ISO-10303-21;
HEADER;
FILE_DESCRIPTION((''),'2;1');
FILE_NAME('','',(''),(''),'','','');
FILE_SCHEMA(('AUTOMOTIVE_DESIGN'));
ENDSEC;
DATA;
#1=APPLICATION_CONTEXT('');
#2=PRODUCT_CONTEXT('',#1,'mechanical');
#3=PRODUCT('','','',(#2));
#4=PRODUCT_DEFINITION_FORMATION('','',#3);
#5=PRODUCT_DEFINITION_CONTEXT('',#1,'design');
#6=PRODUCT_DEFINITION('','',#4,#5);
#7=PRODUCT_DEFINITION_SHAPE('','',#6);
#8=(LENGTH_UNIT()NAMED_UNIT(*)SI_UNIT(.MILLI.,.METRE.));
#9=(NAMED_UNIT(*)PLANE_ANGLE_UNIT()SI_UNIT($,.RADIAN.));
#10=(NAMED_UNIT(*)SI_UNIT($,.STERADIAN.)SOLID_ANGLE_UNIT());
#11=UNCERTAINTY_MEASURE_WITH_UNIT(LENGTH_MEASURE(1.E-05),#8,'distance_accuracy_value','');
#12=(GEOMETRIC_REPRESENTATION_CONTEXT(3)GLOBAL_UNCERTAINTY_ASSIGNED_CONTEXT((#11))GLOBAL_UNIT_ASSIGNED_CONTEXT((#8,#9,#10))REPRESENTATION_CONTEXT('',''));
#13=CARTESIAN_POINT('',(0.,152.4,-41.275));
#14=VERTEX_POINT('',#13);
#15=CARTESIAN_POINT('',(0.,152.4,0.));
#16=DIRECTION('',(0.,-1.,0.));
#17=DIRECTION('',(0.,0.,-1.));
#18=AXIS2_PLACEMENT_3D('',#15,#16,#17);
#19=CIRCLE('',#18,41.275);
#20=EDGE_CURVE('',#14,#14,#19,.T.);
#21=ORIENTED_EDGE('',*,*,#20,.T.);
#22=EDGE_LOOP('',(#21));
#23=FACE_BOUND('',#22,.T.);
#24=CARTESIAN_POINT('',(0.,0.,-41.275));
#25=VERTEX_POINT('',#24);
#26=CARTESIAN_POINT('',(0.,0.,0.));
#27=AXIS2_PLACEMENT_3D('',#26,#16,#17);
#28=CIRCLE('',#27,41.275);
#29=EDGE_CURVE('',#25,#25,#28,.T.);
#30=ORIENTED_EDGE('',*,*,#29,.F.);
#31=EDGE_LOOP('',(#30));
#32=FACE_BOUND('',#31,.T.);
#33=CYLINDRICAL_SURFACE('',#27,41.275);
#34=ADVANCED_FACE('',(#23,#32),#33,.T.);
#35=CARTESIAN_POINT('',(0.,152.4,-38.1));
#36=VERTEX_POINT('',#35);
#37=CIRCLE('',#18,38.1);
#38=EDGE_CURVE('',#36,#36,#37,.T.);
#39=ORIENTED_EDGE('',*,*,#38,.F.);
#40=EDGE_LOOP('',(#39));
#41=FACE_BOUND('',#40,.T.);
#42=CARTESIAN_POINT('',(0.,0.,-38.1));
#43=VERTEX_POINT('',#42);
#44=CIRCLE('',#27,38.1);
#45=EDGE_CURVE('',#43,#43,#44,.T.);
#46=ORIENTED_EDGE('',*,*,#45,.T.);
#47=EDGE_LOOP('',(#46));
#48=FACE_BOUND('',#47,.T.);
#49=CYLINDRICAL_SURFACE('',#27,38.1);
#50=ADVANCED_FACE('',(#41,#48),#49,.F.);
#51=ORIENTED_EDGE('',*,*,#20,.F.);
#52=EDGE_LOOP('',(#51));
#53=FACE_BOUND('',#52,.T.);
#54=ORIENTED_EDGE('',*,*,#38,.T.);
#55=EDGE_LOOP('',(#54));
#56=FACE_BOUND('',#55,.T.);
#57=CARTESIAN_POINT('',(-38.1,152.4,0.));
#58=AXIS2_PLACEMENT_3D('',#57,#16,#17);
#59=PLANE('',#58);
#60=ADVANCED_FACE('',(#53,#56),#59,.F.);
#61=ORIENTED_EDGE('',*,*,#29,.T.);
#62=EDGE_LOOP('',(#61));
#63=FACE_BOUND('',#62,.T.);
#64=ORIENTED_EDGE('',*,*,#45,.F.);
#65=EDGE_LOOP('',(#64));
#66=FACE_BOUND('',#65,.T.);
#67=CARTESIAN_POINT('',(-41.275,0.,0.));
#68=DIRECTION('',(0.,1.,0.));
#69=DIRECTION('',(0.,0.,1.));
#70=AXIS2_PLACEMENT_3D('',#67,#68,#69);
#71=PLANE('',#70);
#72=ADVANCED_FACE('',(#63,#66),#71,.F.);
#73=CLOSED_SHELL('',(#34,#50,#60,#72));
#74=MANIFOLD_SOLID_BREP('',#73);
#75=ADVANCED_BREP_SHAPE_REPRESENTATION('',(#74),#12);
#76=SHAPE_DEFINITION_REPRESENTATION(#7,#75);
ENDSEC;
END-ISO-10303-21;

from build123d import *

# Parameters (mm, degrees)
SKETCH1_W = 3.175
SKETCH1_H = 152.4


with BuildPart() as part:
    # Sketch1 → Revolve1 (revolve)
    with BuildSketch(Plane.XY):
        with Locations((-39.6875, 76.2)):
            Rectangle(SKETCH1_W, SKETCH1_H)
    revolve(axis=Axis((0, 0, 0), (0, 1, 0)))


solid = part.part
